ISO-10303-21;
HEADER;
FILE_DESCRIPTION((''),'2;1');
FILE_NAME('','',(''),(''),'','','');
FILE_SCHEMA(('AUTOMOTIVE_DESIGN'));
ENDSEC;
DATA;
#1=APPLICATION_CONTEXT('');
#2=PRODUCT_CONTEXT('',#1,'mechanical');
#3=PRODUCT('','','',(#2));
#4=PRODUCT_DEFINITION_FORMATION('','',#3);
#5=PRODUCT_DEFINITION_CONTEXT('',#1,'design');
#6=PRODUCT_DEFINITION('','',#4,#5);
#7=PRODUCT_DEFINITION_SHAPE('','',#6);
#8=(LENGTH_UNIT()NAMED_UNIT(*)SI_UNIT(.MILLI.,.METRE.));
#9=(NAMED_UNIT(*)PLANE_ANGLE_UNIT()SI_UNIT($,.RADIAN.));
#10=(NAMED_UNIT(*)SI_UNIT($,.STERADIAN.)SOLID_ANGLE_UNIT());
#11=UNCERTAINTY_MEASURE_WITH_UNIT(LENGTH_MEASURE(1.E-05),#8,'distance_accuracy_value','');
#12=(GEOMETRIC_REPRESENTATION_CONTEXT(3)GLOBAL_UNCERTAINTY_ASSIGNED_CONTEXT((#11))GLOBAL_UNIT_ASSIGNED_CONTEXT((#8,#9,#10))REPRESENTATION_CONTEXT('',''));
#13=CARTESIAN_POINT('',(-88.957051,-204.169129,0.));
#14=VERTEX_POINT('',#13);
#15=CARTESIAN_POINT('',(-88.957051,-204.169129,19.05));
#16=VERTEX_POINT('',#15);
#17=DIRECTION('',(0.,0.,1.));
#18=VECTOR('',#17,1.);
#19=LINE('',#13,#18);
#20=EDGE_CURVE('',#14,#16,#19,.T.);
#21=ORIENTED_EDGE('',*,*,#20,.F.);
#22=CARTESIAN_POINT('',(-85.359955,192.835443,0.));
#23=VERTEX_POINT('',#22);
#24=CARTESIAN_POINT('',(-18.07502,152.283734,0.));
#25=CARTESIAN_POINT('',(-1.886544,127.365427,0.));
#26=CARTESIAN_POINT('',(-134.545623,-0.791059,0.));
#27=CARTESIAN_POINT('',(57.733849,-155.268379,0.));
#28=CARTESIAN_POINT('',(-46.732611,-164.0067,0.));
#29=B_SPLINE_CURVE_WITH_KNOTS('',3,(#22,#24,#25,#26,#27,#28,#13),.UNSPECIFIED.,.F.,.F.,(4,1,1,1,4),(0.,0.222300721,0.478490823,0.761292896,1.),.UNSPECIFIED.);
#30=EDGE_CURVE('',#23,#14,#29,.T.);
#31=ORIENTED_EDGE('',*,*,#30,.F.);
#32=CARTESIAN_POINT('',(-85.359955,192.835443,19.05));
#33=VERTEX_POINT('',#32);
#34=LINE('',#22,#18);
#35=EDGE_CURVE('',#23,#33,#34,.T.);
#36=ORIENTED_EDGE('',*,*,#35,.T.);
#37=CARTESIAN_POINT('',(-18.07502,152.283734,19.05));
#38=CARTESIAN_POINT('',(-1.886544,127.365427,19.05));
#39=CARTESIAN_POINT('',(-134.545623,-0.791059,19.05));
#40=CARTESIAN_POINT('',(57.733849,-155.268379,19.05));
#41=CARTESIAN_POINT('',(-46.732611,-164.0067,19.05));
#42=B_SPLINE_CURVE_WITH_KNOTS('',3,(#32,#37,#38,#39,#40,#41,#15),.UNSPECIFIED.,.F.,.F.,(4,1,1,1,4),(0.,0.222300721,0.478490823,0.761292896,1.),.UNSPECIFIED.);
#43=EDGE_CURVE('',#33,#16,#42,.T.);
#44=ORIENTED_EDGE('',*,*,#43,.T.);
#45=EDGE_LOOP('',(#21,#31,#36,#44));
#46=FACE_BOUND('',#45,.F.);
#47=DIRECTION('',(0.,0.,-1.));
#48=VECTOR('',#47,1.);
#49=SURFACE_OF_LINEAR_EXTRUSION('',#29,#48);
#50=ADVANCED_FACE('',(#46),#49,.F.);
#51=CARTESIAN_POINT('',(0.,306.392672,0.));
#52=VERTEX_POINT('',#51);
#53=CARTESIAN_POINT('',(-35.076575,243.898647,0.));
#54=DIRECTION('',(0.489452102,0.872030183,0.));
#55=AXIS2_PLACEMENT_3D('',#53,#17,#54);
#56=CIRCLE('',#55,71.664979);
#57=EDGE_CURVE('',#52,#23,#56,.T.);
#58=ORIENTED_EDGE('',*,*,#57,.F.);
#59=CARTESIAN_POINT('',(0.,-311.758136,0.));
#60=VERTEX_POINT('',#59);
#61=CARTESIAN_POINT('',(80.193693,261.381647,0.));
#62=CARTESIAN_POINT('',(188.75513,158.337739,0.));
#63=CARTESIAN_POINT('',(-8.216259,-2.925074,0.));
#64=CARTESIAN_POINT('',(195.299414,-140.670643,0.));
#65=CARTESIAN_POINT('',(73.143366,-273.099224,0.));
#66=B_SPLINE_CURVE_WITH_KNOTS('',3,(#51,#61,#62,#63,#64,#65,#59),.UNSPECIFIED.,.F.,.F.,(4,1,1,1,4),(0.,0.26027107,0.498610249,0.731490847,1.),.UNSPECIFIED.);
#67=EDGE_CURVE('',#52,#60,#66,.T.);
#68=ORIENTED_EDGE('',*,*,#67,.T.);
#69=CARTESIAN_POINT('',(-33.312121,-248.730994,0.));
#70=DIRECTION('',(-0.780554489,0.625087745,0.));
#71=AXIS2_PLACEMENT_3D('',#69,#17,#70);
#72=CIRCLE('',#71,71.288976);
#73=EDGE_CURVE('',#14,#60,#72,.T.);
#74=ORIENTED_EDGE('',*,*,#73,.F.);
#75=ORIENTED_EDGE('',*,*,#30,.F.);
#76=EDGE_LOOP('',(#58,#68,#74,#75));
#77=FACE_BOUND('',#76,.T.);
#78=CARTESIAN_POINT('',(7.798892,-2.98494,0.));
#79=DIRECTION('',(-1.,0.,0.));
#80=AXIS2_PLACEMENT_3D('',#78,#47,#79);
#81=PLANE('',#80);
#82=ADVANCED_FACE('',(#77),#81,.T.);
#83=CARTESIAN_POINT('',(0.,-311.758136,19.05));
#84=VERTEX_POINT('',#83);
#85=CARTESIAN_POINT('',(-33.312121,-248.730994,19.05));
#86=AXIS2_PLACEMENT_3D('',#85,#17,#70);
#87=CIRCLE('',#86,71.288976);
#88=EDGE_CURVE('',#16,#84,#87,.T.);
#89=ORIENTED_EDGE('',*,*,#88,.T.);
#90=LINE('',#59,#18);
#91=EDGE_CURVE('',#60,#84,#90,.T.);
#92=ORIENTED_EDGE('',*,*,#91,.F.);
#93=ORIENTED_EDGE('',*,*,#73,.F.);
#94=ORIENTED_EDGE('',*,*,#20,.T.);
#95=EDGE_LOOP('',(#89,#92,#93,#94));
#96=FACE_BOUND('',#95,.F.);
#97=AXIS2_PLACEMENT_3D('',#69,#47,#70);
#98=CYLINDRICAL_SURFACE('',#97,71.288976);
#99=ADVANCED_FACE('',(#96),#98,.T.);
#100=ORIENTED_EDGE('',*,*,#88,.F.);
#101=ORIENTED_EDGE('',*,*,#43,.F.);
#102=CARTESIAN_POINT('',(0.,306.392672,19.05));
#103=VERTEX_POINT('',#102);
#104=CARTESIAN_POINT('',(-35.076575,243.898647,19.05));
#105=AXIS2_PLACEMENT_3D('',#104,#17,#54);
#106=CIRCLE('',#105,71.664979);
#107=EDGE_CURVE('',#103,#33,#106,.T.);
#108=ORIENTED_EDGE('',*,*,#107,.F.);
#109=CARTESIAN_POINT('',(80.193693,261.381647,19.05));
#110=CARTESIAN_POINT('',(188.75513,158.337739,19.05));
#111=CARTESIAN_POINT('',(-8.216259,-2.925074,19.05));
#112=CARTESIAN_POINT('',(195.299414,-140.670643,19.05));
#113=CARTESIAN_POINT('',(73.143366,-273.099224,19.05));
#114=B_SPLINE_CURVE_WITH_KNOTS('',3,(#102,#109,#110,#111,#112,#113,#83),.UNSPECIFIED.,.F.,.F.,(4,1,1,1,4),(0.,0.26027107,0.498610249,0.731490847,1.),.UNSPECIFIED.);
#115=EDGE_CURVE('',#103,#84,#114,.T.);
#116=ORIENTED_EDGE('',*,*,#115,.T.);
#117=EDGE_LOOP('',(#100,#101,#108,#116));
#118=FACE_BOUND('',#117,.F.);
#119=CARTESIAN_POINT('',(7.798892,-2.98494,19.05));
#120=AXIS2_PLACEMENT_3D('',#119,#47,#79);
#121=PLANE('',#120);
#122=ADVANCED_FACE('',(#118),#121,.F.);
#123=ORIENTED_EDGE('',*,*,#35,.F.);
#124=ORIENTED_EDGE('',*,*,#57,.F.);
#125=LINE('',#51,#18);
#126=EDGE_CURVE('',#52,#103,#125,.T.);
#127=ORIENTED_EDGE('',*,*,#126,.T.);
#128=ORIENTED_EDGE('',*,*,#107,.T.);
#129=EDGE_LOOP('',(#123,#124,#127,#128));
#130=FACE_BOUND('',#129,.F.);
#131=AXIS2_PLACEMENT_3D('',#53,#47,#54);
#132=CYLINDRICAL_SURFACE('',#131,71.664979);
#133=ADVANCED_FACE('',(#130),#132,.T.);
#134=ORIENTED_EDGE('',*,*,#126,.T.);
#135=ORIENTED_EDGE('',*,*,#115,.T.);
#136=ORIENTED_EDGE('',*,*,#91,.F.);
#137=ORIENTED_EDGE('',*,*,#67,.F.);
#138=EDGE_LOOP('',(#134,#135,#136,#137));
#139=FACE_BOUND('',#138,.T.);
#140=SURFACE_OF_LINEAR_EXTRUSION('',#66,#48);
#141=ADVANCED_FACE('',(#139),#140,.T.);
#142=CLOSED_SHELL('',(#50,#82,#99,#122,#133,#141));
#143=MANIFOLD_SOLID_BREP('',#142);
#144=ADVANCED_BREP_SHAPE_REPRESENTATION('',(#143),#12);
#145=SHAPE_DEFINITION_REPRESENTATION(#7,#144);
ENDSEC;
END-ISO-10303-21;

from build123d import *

# Parameters (mm, degrees)
F1_DEPTH = 19.05


with BuildPart() as f1:
    # F0 (on Top) → F1 (new body)
    with BuildSketch(Plane.XY):
        with BuildLine():
            add(Edge.make_bspline(
                [(0, 306.392671655), (80.1936934283, 261.3816472627), (188.7551300828, 158.337739434), (-8.2162592568, -2.9250744168), (195.2994136735, -140.670642895), (73.1433664508, -273.0992242473), (0, -311.7581359321)],
                knots=[0, 0, 0, 0, 0.2602710705, 0.4986102487, 0.7314908466, 1, 1, 1, 1], degree=3))
            ThreePointArc((0, 306.392671655), (-92.3620244961, 286.9596086416), (-85.3599553773, 192.8354431199))
            add(Edge.make_bspline(
                [(-85.3599553773, 192.8354431199), (-18.0750204003, 152.2837344194), (-1.8865443005, 127.3654270686), (-134.5456230955, -0.7910594612), (57.7338491133, -155.268378743), (-46.7326106271, -164.0067000801), (-88.9570514251, -204.1691291057)],
                knots=[0, 0, 0, 0, 0.2223007207, 0.4784908229, 0.7612928958, 1, 1, 1, 1], degree=3))
            ThreePointArc((-88.9570514251, -204.1691291057), (-88.2533371676, -294.1576477682), (0, -311.7581359321))
        make_face()
    extrude(amount=F1_DEPTH)


solid = f1.part
